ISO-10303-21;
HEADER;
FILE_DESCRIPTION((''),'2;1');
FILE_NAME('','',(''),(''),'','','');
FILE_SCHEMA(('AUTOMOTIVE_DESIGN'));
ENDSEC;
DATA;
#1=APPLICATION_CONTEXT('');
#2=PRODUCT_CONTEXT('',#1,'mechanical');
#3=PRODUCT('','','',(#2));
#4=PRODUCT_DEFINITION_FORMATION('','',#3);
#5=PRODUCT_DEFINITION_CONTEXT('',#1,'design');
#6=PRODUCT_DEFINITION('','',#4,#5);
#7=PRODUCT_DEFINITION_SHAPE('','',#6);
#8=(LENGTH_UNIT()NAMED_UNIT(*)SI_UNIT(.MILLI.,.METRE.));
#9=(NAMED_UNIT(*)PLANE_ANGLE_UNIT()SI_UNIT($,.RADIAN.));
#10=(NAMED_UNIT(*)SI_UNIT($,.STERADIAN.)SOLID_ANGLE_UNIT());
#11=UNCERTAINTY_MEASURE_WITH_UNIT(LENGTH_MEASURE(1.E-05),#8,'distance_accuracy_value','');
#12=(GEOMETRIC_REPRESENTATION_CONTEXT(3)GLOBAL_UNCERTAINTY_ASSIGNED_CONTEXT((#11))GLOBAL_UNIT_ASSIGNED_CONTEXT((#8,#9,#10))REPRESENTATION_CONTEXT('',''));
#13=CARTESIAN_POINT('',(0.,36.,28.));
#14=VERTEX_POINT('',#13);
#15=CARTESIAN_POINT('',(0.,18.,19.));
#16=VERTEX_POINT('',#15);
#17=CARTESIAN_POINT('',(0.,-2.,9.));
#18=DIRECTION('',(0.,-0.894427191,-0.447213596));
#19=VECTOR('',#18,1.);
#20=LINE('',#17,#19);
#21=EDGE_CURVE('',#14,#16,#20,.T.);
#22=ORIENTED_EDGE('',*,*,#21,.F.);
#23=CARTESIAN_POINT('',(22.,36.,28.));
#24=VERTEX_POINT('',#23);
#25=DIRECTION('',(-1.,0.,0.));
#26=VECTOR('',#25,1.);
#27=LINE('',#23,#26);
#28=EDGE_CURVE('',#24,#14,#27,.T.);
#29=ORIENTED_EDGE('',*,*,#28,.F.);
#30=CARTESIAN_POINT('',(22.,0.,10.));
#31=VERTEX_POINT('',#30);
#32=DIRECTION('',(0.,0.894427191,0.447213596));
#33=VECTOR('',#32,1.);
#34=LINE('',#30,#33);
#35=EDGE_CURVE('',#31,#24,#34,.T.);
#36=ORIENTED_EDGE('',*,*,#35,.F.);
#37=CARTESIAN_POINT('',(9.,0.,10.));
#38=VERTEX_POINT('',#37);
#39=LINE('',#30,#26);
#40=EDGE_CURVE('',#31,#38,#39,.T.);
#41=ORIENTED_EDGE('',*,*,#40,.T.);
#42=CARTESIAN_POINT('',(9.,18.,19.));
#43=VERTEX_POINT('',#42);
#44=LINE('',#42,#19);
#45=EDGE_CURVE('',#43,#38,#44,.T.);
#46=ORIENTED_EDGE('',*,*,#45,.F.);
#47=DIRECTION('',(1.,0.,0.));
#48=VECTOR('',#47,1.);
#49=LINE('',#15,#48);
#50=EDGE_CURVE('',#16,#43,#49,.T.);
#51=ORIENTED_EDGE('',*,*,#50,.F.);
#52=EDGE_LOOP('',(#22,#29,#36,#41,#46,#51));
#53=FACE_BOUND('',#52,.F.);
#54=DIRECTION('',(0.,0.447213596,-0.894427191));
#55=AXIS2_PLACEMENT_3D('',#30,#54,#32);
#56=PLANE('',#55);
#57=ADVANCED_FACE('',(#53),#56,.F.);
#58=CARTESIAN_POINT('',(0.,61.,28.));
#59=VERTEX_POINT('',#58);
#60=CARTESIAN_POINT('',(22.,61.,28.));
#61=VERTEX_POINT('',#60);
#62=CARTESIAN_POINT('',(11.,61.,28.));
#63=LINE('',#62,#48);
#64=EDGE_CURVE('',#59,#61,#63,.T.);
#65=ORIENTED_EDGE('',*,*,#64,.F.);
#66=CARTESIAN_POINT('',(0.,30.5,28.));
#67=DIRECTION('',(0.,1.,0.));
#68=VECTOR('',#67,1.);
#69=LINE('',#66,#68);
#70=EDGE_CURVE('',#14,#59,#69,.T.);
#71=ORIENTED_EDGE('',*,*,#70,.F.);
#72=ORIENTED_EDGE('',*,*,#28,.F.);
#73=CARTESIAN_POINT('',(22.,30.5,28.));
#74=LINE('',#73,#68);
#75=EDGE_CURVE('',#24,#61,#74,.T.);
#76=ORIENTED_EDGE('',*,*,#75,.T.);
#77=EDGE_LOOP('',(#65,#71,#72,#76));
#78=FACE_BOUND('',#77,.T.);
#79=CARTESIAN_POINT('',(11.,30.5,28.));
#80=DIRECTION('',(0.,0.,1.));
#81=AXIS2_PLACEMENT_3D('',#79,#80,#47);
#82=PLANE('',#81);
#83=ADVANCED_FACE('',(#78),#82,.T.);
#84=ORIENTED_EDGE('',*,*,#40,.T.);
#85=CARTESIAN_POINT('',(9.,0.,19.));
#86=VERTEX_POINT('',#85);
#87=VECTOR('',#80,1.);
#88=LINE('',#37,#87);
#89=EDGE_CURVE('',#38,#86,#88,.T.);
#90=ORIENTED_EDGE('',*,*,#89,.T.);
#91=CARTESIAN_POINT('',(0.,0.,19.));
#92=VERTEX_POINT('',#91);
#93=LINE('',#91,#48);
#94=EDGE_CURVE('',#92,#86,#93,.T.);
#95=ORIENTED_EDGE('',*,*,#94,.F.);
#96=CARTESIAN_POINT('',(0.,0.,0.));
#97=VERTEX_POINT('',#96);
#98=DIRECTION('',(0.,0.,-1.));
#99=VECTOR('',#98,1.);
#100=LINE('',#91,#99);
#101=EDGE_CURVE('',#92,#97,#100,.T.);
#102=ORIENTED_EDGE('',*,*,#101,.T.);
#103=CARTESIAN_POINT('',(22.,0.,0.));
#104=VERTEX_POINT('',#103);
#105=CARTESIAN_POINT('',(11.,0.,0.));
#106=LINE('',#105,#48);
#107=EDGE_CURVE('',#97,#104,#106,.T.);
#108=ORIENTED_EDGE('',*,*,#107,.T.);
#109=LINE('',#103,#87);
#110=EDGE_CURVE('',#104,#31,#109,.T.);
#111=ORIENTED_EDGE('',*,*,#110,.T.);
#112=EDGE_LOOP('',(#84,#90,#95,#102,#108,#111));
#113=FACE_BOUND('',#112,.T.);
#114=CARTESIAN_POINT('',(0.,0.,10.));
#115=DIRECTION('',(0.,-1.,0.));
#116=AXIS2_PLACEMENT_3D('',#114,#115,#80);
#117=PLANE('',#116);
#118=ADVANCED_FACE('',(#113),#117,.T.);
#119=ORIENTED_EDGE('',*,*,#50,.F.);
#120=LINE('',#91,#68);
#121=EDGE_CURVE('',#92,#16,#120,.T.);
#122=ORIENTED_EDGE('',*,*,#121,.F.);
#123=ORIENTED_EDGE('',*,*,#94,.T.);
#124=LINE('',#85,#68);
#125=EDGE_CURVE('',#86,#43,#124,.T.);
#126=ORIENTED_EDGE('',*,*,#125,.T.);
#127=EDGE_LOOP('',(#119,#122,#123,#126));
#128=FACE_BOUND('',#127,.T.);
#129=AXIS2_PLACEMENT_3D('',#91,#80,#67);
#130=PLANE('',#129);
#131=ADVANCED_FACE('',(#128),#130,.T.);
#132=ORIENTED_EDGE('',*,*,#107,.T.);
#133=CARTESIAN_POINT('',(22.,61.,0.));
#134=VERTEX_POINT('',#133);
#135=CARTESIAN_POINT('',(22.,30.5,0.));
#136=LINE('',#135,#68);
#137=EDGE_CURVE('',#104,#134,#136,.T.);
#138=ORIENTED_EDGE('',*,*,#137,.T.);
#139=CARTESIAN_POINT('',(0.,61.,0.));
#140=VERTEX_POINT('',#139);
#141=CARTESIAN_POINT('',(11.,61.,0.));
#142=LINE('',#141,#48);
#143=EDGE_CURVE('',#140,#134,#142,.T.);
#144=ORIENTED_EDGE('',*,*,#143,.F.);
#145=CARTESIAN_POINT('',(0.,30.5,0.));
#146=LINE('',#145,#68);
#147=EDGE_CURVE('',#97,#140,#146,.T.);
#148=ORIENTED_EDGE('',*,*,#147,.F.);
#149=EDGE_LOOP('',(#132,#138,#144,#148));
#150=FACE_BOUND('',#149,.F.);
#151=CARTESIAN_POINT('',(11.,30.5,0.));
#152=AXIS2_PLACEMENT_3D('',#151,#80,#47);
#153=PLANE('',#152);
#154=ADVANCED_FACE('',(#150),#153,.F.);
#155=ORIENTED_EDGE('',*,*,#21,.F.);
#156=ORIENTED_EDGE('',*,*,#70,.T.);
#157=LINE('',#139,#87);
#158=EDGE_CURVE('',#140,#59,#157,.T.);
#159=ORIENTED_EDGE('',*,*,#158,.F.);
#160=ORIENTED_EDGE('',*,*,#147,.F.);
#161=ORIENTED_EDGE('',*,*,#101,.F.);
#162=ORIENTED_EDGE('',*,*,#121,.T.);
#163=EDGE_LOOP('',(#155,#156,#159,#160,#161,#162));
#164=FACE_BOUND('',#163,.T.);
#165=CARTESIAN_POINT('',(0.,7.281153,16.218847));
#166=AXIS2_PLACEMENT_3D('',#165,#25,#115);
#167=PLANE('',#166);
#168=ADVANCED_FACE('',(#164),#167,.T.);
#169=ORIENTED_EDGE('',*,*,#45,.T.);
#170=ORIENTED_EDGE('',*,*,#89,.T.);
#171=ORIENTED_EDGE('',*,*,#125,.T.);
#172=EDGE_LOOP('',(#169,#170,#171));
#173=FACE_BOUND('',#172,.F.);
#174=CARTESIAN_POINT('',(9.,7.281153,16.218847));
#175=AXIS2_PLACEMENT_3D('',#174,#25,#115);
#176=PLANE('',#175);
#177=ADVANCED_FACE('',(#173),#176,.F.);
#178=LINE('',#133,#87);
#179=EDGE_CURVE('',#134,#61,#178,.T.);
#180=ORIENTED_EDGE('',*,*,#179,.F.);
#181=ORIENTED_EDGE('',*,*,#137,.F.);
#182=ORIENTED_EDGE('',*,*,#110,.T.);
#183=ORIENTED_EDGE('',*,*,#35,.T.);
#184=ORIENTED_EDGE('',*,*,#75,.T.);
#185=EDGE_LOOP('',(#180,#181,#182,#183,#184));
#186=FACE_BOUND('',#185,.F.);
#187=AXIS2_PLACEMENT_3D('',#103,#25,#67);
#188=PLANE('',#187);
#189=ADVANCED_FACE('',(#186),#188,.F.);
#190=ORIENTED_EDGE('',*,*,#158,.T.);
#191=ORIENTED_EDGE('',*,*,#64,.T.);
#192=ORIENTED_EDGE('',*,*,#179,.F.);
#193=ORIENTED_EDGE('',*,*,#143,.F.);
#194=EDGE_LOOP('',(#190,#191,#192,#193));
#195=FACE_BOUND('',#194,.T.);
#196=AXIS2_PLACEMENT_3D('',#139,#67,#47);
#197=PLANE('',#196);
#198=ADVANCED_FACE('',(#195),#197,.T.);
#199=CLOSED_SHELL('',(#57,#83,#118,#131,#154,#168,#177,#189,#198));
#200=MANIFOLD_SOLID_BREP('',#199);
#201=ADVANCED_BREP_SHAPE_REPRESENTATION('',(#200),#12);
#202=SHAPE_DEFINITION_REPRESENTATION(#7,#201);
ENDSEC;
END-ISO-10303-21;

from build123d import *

# Parameters (mm, degrees)
F0_W     = 22
F0_H     = 61
F1_DEPTH = 28
F3_DEPTH = 22.001
F5_DEPTH = 9


with BuildPart() as f1:
    # F0 (on Top) → F1 (new body)
    with BuildSketch(Plane.XY):
        with Locations((11, 30.5)):
            Rectangle(F0_W, F0_H)
    extrude(amount=F1_DEPTH)

    # F2 (on face) → F3 (cut, through all)
    with BuildSketch(Plane.YZ.offset(22)):
        Polygon((36, 28), (0, 28), (0, 10), align=None)
    extrude(amount=-F3_DEPTH, mode=Mode.SUBTRACT)

    # F4 (on face) → F5 (join)
    with BuildSketch(Plane(origin=(0, 0, 0), x_dir=(0, -1, 0), z_dir=(-1, 0, 0))):
        Polygon((-18, 19), (0, 10), (0, 19), align=None)
    extrude(amount=-F5_DEPTH)


solid = f1.part
